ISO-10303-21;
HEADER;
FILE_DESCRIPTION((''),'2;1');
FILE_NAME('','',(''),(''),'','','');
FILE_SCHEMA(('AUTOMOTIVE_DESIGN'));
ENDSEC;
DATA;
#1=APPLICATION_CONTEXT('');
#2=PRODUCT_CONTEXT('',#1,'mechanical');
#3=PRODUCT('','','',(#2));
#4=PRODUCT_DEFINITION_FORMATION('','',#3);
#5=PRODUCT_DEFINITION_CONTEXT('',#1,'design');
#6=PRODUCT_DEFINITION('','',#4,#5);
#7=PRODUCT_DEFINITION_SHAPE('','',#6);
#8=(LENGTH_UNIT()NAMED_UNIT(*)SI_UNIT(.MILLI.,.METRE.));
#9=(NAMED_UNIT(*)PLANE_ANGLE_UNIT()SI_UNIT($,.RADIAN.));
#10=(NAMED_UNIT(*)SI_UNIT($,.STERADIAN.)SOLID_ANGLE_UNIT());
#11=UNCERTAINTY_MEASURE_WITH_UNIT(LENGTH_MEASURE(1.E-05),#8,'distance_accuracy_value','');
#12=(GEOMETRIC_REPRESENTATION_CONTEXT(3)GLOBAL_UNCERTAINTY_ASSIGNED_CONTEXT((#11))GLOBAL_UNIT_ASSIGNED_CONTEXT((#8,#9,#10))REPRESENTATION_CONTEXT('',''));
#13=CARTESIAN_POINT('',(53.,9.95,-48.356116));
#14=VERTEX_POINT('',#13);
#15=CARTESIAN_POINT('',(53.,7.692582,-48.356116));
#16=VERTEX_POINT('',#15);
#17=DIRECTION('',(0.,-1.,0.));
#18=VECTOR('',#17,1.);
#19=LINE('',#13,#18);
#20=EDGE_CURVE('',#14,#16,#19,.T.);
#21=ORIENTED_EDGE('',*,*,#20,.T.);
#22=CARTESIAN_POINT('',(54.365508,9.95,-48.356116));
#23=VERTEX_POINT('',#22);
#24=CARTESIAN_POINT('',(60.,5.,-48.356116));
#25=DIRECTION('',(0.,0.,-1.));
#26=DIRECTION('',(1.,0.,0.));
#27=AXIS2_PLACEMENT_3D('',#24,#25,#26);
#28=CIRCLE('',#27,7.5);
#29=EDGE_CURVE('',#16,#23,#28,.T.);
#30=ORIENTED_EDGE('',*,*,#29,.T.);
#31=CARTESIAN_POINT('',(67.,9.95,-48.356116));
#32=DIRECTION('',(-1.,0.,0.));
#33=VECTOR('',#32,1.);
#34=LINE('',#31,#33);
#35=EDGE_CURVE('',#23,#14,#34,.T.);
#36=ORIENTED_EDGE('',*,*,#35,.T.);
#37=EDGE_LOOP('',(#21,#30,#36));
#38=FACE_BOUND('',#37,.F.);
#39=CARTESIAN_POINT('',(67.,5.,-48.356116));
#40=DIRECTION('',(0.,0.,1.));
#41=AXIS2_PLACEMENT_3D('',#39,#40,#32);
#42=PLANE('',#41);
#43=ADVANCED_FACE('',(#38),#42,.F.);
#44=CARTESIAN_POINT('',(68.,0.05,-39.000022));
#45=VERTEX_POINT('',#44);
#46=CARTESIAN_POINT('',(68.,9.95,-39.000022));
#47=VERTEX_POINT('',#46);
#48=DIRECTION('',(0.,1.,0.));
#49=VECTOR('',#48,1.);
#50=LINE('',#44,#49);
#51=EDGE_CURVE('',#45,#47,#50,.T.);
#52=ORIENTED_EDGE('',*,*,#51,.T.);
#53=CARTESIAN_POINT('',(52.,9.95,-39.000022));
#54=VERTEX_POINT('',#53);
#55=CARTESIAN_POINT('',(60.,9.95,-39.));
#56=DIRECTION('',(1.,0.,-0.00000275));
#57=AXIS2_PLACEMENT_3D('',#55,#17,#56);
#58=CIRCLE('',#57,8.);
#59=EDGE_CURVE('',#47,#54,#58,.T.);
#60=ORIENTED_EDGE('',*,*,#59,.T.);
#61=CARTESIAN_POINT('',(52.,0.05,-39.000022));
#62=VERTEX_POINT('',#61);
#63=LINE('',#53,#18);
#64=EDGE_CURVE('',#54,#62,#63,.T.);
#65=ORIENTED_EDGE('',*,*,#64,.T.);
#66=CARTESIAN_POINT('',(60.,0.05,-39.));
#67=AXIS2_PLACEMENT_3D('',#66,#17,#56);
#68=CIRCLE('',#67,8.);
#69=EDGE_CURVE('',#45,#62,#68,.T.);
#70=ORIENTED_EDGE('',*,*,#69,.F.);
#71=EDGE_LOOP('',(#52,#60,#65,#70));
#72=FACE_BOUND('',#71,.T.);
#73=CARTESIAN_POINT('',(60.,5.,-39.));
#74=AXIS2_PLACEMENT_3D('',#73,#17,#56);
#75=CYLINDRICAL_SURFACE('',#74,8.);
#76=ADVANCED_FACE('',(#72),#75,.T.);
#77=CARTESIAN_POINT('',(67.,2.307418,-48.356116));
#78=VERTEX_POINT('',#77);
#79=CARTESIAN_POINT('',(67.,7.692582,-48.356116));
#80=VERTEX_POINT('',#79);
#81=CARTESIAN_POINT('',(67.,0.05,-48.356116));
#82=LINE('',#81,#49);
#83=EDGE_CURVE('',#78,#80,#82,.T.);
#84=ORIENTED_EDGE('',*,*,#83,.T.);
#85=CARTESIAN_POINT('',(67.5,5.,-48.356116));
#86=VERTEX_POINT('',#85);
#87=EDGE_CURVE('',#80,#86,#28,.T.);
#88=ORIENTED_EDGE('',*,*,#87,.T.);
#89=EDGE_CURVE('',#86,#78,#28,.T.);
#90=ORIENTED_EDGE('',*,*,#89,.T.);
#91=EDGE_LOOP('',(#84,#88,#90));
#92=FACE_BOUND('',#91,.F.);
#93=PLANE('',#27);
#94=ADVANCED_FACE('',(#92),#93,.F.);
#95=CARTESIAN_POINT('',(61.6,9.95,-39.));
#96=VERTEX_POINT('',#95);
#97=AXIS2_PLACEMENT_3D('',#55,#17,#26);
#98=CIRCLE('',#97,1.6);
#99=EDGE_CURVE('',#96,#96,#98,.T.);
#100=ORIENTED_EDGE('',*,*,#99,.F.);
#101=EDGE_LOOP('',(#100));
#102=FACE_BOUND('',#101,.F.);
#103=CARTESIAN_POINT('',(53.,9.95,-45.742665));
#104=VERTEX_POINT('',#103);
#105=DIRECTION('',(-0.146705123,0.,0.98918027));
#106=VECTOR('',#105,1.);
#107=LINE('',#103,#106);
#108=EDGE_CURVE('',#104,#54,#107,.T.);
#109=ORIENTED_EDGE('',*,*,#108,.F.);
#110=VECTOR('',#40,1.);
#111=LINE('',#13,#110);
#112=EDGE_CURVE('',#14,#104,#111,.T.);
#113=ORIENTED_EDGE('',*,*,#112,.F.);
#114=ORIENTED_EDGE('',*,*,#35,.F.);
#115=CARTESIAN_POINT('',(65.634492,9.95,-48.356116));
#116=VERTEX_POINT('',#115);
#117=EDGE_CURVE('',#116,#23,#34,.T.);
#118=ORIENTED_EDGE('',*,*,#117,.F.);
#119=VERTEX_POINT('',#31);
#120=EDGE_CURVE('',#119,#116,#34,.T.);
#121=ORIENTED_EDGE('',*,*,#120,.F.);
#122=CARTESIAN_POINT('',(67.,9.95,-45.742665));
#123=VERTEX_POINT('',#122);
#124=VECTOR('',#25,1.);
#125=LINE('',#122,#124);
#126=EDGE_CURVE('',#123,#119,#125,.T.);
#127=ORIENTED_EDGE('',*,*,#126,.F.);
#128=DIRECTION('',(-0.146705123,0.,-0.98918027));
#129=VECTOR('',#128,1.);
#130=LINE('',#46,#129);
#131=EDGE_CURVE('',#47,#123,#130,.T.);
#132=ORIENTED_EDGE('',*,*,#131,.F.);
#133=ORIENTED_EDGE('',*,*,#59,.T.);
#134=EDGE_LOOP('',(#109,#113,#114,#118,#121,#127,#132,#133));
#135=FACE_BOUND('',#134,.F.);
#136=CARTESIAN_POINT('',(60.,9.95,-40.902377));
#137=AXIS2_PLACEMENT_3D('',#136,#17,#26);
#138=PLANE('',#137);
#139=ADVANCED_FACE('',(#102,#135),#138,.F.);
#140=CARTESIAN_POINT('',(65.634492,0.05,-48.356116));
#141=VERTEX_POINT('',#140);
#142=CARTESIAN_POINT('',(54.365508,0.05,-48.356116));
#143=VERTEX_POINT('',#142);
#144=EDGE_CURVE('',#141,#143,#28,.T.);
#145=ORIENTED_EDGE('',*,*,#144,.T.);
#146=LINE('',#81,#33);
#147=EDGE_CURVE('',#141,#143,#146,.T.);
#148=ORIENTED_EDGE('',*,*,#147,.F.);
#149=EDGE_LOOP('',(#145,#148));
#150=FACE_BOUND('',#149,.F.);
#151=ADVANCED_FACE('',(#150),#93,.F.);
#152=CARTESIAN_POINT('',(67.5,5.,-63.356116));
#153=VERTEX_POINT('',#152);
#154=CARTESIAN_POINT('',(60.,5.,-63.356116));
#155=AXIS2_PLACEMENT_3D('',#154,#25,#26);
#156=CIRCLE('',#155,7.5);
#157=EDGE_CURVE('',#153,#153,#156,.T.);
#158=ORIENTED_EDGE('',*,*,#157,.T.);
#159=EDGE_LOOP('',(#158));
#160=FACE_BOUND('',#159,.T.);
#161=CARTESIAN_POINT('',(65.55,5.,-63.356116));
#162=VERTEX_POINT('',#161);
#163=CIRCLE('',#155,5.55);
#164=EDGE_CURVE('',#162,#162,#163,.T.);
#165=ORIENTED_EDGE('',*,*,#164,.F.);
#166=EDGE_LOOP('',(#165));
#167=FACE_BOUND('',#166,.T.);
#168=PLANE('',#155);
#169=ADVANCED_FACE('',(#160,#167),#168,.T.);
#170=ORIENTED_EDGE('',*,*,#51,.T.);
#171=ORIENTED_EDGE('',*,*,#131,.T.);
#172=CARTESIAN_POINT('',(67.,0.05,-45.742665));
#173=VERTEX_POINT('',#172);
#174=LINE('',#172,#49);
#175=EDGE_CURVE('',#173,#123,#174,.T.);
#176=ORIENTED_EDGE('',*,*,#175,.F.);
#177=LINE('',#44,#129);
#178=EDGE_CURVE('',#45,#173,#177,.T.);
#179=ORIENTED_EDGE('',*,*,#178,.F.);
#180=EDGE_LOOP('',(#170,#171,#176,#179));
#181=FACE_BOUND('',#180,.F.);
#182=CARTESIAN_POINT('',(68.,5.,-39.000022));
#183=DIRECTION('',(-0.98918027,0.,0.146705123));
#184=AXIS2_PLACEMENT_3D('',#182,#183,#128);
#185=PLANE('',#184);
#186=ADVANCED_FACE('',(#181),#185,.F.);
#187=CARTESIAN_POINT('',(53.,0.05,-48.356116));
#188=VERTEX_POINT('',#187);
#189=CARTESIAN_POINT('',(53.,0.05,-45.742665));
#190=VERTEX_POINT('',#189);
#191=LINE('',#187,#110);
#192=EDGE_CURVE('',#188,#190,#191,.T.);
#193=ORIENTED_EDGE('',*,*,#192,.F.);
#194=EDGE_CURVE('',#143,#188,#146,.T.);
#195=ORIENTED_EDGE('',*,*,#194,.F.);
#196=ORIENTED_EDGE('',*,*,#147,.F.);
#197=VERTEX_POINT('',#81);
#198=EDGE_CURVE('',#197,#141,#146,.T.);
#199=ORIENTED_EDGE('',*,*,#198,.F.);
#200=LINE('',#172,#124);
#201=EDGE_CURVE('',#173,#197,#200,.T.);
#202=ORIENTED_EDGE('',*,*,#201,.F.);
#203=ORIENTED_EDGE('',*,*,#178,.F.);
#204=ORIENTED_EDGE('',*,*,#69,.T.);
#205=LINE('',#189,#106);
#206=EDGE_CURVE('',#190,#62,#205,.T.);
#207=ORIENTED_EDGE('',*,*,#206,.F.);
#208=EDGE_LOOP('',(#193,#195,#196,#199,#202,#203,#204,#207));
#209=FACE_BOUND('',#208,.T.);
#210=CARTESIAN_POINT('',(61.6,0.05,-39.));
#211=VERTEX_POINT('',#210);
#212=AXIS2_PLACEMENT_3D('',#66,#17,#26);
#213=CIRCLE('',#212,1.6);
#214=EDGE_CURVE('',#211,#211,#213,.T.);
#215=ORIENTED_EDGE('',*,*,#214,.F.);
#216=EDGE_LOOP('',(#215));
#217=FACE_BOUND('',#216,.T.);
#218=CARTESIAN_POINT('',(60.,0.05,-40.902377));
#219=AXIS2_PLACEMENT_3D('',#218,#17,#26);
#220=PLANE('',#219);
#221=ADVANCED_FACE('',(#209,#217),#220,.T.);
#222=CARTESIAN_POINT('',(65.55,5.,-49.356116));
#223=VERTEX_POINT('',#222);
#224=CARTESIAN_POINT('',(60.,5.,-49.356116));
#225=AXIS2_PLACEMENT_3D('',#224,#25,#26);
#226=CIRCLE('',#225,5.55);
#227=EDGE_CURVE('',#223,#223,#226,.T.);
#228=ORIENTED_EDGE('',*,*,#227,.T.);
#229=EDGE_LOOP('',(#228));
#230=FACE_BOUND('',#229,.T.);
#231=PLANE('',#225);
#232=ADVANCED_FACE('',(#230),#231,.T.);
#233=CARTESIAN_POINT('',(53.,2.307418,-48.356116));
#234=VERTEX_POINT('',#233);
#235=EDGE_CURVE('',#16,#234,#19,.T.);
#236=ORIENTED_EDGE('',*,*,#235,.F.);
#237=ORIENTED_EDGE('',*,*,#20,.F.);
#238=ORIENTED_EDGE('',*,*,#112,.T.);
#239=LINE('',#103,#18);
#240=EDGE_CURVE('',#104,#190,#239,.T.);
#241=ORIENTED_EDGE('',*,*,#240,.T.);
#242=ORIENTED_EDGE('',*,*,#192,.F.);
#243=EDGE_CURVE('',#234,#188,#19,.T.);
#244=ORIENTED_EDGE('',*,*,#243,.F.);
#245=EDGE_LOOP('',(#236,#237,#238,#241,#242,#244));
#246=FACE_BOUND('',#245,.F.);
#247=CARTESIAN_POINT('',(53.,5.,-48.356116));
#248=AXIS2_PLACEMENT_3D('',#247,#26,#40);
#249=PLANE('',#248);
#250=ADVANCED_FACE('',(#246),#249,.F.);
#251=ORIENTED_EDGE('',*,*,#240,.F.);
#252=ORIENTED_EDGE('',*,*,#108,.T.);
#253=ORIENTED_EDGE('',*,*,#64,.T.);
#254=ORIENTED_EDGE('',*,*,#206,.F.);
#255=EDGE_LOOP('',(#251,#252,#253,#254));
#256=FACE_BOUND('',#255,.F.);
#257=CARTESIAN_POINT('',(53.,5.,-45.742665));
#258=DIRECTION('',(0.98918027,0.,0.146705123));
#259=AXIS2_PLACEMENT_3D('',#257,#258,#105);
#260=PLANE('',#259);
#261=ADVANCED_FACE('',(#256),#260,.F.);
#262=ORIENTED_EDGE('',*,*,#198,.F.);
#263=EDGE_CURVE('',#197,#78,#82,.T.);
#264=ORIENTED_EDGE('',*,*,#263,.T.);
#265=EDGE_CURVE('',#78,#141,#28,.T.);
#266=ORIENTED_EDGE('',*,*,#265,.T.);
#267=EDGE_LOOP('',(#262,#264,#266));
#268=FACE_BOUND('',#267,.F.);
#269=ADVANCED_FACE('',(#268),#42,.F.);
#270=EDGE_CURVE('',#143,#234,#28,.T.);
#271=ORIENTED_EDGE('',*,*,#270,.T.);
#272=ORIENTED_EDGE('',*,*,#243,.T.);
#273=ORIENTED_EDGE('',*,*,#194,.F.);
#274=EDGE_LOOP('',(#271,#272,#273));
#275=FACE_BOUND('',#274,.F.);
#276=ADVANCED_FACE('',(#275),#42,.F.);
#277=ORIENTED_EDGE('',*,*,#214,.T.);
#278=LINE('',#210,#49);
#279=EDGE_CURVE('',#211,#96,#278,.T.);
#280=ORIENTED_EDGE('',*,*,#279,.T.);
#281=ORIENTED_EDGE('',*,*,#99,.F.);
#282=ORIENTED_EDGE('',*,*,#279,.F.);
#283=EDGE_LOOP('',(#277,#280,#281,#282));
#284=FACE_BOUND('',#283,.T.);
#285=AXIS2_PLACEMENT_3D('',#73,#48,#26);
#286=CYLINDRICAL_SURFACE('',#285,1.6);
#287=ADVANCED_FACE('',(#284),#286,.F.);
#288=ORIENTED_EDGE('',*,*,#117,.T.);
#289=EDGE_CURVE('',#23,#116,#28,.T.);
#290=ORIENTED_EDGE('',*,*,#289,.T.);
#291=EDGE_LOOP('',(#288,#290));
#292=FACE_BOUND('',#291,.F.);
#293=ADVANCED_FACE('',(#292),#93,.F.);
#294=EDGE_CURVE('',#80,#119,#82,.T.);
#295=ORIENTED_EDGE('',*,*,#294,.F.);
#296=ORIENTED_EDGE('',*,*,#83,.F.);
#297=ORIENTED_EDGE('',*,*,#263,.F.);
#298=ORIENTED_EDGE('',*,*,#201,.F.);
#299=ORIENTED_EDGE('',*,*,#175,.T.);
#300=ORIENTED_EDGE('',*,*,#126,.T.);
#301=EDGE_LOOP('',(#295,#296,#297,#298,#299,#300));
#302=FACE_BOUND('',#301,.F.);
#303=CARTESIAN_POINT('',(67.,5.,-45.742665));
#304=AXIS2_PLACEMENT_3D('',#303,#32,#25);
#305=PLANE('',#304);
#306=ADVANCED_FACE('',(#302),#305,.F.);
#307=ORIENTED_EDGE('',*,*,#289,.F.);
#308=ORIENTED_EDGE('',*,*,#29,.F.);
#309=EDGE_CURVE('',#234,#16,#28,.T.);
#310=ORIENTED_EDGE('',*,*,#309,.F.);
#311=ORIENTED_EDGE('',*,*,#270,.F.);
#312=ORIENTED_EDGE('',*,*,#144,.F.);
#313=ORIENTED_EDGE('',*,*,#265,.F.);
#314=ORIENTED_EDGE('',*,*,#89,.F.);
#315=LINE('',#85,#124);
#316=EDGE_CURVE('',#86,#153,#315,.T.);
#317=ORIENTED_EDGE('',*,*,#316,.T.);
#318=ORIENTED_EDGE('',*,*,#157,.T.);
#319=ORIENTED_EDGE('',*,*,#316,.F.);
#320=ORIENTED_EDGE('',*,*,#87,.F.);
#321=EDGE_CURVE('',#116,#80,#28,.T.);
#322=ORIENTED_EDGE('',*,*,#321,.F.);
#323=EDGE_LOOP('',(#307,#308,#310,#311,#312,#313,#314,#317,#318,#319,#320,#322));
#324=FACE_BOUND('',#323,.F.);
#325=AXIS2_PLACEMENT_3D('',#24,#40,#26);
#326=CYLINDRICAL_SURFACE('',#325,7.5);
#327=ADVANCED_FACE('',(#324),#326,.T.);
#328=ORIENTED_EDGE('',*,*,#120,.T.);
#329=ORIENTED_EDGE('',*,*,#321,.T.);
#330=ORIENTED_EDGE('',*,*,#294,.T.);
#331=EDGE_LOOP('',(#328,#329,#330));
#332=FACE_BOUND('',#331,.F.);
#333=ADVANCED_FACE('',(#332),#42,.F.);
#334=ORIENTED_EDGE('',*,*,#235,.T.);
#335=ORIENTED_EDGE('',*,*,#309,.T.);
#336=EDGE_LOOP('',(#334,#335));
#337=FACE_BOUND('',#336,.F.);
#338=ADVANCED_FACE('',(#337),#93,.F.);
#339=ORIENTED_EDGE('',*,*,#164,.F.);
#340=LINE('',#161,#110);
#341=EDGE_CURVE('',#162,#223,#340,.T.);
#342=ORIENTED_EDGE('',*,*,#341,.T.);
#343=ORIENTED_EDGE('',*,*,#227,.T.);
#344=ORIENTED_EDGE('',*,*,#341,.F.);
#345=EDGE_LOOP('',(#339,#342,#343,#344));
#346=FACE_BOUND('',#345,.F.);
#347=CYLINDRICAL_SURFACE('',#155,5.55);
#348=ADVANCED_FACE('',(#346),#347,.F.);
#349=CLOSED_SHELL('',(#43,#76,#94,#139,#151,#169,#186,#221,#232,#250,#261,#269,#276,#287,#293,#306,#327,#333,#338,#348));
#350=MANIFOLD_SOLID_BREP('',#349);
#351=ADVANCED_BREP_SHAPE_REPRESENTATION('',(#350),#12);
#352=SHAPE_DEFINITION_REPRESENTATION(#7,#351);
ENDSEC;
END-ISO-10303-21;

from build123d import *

# Parameters (mm, degrees)
SKETCH017_R             = 1.6
PAD008_DEPTH            = 4.95
SKETCH018_R             = 7.5
PAD009_DEPTH            = 15
SKETCH019_R             = 5.55
POCKET004_DEPTH         = 14
BODY004_PLACEMENT_ANGLE = 90


with BuildPart() as part:
    # Sketch017 (on DatumPlane) → Pad008 (new body, symmetric)
    with BuildSketch(Plane(origin=(110, 5, 25), x_dir=(0, 0, 1), z_dir=(0, -1, 0))):
        with BuildLine():
            ThreePointArc((8, -2.2e-05), (0, 8), (-8, -2.2e-05))
            Line((-7, -6.742665), (-8, -2.2e-05))
            Line((-7, -9.356116), (-7, -6.742665))
            Line((7, -9.356116), (-7, -9.356116))
            Line((7, -6.742665), (7, -9.356116))
            Line((8, -2.2e-05), (7, -6.742665))
        make_face()
        Circle(SKETCH017_R, mode=Mode.SUBTRACT)
    extrude(amount=PAD008_DEPTH, both=True)

    # Sketch018 (on DatumPlane) → Pad009 (join)
    with BuildSketch(Plane(origin=(119.356116, 5, 25), x_dir=(0, 0, 1), z_dir=(1, 0, 0))):
        Circle(SKETCH018_R)
    extrude(amount=PAD009_DEPTH)

    # Sketch019 (on DatumPlane) → Pocket004 (cut)
    with BuildSketch(Plane(origin=(134.356116, 5, 25), x_dir=(0, 0, 1), z_dir=(1, 0, 0))):
        Circle(SKETCH019_R)
    extrude(amount=-POCKET004_DEPTH, mode=Mode.SUBTRACT)


with BuildPart() as part_1:
    # Body004 placement: moved
    add(part.part.moved(Location((35, 0, 71))).rotate(Axis((35, 0, 71), (0, 1, 0)), BODY004_PLACEMENT_ANGLE))


solid = part_1.part
